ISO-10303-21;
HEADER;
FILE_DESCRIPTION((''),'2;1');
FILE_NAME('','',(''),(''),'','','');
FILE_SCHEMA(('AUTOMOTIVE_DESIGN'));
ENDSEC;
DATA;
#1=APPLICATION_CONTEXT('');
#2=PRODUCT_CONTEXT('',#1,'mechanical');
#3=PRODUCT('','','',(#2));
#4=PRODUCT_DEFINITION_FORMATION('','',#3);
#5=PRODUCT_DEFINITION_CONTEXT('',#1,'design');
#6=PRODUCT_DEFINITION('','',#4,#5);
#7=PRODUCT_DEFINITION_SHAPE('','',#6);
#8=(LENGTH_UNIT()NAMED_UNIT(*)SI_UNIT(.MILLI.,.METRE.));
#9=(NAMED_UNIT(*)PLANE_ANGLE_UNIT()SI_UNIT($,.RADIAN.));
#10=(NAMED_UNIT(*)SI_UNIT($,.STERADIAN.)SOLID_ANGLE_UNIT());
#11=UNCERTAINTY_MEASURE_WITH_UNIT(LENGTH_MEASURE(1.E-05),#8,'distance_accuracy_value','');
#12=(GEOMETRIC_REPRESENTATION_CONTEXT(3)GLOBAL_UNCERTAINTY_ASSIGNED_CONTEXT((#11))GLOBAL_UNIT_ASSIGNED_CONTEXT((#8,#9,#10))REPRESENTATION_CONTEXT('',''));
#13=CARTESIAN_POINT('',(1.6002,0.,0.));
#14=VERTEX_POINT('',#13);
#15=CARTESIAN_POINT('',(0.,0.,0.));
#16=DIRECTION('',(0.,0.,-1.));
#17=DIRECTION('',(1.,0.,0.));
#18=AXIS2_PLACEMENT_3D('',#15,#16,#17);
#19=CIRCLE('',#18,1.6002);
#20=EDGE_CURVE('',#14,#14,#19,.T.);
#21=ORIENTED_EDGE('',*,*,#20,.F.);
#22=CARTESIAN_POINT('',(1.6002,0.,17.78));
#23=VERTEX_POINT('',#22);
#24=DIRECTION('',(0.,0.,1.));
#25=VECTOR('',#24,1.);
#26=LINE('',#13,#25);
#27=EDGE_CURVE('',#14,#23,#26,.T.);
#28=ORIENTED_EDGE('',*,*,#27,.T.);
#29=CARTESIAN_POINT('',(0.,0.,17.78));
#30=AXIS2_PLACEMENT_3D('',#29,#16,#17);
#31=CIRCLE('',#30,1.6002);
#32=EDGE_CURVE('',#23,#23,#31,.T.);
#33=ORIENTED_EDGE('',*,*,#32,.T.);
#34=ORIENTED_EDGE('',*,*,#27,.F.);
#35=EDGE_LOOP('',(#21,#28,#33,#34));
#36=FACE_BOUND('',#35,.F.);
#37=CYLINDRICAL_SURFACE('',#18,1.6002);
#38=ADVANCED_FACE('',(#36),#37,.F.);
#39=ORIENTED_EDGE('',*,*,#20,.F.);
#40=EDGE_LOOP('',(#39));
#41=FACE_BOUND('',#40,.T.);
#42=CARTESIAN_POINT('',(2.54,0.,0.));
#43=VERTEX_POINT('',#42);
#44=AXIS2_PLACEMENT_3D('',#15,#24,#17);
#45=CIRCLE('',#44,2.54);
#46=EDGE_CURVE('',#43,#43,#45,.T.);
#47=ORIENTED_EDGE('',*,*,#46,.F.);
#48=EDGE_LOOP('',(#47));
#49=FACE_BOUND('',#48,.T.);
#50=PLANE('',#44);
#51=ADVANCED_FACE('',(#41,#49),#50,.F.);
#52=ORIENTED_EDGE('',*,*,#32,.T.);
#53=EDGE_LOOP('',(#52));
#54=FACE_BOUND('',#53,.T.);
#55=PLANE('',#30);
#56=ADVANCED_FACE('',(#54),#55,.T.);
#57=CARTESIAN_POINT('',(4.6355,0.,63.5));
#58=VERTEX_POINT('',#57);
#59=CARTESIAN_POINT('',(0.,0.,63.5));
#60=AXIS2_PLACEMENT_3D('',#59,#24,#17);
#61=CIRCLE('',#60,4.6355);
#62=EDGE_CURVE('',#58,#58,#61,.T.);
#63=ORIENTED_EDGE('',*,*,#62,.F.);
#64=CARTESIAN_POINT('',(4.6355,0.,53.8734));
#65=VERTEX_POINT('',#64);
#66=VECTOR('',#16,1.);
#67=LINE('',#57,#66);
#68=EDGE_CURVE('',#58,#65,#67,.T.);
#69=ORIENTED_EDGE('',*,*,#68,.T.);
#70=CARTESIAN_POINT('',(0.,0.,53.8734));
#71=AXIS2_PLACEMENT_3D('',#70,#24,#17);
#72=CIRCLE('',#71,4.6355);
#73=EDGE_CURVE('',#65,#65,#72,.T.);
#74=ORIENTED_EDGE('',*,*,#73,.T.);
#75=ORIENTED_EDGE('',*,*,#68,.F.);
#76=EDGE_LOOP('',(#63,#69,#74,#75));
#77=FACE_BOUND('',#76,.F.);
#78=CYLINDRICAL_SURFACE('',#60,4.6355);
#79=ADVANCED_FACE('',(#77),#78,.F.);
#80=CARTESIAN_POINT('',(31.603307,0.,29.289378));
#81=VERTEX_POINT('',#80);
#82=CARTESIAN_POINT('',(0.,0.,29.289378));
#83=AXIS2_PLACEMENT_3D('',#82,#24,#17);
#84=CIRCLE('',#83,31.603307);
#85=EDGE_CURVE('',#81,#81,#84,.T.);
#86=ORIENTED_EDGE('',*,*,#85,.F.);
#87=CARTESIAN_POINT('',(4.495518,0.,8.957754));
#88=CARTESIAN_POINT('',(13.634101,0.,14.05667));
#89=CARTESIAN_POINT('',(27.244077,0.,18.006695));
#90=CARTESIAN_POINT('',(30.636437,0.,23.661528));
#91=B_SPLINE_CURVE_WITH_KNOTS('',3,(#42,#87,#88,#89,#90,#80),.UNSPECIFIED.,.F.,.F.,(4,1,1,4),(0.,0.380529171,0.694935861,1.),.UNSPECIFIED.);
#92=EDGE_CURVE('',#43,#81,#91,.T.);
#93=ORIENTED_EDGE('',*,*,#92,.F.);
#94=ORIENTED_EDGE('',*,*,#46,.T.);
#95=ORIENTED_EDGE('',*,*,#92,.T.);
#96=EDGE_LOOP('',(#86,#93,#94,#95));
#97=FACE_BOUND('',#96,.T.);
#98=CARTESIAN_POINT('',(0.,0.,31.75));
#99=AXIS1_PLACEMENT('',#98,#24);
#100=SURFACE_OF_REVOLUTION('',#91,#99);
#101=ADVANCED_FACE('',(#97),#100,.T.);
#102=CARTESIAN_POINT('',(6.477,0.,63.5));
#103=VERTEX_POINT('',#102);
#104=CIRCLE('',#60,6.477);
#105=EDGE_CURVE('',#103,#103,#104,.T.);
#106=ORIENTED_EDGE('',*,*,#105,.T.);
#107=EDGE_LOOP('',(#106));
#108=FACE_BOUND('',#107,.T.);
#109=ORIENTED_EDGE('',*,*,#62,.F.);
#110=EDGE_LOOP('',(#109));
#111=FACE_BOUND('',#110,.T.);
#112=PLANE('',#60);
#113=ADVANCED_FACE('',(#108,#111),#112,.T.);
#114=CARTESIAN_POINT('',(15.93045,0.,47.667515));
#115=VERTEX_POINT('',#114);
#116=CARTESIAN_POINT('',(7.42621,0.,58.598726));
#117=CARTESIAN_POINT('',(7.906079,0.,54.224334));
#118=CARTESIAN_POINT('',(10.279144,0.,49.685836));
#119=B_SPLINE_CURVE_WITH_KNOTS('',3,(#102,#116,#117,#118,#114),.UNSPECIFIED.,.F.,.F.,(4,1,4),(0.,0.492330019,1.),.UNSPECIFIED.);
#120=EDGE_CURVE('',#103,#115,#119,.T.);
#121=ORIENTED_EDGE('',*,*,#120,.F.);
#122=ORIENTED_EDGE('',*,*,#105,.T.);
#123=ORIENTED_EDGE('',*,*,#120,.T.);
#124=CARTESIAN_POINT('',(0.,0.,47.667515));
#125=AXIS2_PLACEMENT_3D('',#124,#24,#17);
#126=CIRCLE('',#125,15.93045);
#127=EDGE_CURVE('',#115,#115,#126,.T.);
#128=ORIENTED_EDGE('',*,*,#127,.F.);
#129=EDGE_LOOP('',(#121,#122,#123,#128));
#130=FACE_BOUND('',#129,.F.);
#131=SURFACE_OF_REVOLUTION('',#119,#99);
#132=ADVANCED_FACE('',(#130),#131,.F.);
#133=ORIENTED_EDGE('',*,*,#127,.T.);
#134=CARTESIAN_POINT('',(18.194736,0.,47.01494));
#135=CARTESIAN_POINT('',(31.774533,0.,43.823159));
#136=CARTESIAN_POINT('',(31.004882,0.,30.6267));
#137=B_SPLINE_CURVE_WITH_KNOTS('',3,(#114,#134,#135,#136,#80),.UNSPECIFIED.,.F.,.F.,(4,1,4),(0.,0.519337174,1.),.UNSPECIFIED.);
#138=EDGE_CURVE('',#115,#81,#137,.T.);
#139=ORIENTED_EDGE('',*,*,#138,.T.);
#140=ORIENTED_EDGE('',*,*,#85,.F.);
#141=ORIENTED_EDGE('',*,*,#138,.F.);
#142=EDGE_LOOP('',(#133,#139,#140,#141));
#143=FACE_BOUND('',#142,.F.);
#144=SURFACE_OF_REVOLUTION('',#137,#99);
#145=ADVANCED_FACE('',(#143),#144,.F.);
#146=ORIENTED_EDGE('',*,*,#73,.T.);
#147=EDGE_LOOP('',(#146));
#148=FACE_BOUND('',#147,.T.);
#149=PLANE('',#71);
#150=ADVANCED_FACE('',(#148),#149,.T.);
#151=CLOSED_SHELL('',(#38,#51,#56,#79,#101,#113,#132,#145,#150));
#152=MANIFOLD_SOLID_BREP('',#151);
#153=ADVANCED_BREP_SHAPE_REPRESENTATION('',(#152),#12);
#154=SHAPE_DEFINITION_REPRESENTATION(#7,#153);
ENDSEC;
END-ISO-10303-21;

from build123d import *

# Parameters (mm, degrees)
F2_R     = 4.6355
F3_DEPTH = 9.6266
F4_R     = 1.6002
F5_DEPTH = 17.78


with BuildPart() as f1:
    # F0 (on Front) → F1 (revolve)
    with BuildSketch(Plane.XZ):
        with BuildLine():
            Line((0, 63.5), (0, 0))
            Line((0, 0), (2.54, 0))
            add(Edge.make_bspline(
                [(2.54, 0), (4.4955178308, 8.9577542199), (13.6341014895, 14.0566703587), (27.2440773123, 18.006695005), (30.6364371254, 23.6615275733), (31.6033065319, 29.2893778533)],
                knots=[0, 0, 0, 0, 0.3805291705, 0.6949358612, 1, 1, 1, 1], degree=3))
            add(Edge.make_bspline(
                [(15.9304495901, 47.6675145328), (18.1947364367, 47.0149396925), (31.7745328674, 43.8231587691), (31.0048823649, 30.6266996795), (31.6033065319, 29.2893778533)],
                knots=[0, 0, 0, 0, 0.5193371743, 1, 1, 1, 1], degree=3))
            add(Edge.make_bspline(
                [(6.477, 63.5), (7.4262102711, 58.5987261493), (7.9060794268, 54.2243340147), (10.2791442096, 49.685836314), (15.9304495901, 47.6675145328)],
                knots=[0, 0, 0, 0, 0.4923300194, 1, 1, 1, 1], degree=3))
            Line((6.477, 63.5), (0, 63.5))
        make_face()
    revolve(axis=Axis((0, 0, 31.75), (0, 0, 1)))

    # F2 (on face) → F3 (cut)
    with BuildSketch(Plane.XY.offset(63.5)):
        Circle(F2_R)
    extrude(amount=-F3_DEPTH, mode=Mode.SUBTRACT)

    # F4 (on face) → F5 (cut)
    with BuildSketch(Plane(origin=(0, 0, 0), x_dir=(1, 0, 0), z_dir=(0, 0, -1))):
        Circle(F4_R)
    extrude(amount=-F5_DEPTH, mode=Mode.SUBTRACT)


solid = f1.part
